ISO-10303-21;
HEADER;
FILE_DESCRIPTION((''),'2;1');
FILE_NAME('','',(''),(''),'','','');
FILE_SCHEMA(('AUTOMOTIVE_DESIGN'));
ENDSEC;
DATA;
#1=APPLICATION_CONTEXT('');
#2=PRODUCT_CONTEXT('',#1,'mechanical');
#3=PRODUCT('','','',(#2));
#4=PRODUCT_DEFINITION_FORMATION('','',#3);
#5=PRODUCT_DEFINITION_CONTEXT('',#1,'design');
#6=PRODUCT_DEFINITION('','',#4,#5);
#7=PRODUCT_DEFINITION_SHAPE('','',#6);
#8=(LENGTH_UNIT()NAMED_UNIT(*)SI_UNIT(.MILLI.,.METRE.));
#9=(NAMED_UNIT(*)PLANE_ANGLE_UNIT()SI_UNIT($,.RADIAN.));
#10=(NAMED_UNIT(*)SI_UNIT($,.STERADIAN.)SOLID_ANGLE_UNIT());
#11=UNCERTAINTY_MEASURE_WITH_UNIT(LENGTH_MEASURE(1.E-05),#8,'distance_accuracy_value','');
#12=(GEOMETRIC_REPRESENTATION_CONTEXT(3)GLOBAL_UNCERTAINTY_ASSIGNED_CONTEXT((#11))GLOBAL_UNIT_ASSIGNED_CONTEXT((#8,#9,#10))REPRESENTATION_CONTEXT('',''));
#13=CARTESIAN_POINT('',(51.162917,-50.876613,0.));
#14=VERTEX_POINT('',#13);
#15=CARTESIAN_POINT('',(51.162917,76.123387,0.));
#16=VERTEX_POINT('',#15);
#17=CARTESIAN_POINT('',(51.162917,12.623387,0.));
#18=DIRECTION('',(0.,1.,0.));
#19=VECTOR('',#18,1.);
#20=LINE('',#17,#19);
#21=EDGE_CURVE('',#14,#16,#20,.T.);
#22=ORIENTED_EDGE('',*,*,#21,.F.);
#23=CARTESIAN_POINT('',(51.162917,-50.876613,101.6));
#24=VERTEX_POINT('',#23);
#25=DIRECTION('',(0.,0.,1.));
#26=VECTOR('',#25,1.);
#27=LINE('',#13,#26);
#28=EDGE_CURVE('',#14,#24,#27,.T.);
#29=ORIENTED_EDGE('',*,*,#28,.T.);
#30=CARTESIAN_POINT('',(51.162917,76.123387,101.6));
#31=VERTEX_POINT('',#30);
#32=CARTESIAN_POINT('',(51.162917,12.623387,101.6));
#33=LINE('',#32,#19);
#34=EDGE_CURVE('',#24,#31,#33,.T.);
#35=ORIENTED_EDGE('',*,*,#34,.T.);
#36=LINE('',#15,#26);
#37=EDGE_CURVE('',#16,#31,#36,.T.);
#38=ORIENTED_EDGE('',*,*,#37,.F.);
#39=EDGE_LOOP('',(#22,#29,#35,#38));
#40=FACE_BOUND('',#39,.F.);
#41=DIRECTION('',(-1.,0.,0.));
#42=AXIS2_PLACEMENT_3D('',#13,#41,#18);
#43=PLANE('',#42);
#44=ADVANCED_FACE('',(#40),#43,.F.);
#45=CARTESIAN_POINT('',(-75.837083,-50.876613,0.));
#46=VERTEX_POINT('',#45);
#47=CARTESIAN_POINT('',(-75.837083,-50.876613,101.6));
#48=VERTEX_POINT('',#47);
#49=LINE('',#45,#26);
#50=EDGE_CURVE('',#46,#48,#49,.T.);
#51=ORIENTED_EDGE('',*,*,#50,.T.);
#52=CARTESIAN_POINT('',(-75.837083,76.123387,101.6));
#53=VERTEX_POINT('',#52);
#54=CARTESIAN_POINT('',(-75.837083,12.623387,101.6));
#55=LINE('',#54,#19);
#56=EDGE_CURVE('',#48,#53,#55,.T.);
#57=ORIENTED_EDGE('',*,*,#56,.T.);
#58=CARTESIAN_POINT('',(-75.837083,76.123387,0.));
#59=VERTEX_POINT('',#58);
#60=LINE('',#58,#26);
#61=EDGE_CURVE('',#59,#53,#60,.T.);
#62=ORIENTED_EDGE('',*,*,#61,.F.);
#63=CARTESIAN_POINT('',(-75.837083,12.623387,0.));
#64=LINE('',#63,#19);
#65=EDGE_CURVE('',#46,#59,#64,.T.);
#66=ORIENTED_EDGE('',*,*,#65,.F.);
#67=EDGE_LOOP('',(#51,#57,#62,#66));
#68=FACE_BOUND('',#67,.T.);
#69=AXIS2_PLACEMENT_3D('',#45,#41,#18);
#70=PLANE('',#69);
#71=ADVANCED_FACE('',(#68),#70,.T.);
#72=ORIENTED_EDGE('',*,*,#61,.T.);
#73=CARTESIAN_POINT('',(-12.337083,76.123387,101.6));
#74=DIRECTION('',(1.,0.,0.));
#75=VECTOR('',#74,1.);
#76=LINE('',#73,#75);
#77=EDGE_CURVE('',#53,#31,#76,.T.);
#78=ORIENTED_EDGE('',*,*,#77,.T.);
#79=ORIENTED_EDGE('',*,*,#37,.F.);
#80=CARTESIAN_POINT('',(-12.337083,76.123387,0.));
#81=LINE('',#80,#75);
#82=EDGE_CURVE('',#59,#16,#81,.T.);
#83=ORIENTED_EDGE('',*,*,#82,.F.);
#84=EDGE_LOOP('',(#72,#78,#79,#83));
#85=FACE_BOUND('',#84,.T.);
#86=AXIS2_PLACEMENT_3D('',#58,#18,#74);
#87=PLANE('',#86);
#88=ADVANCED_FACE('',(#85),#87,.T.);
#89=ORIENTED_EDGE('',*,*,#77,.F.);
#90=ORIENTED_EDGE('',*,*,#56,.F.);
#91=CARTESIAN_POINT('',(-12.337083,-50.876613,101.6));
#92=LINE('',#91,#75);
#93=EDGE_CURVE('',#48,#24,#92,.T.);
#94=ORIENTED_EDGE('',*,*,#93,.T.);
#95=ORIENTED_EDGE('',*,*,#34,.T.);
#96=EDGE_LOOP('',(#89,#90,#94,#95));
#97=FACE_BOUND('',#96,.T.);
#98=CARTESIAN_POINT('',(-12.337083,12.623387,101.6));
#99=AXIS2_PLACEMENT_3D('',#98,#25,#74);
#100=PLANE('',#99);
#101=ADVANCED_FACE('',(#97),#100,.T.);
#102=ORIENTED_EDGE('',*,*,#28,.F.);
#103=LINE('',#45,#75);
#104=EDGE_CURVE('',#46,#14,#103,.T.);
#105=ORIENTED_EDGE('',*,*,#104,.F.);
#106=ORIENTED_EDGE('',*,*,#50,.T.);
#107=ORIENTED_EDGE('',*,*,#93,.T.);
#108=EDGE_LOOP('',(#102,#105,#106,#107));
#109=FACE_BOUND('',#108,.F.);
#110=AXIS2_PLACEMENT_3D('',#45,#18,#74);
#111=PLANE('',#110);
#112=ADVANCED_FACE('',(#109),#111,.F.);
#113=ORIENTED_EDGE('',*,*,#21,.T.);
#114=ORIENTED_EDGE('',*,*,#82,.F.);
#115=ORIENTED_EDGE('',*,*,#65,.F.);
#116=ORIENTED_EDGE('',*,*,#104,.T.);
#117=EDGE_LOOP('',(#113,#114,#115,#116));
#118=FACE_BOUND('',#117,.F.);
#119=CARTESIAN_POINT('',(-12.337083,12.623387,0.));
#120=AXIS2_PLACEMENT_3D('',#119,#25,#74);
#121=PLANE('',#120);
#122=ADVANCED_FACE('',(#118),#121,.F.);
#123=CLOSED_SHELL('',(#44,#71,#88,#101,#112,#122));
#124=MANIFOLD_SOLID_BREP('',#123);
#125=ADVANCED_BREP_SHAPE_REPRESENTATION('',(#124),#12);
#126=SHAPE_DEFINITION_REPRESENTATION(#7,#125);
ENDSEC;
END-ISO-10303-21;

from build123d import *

# Parameters (mm, degrees)
F0_W     = 127
F0_H     = 127
F2_DEPTH = 101.6
F3_DEPTH = 25.4


with BuildPart() as f2:
    # F0 (on Top) → F2 (new body)
    with BuildSketch(Plane.XY):
        with Locations((-12.337083, 12.623387)):
            Rectangle(F0_W, F0_H)
    extrude(amount=F2_DEPTH)

    # F1 (on face) → F3 (cut)
    with BuildSketch(Plane.XY):
        Polygon((50.900102, -50.876613), (40.279156, -50.876613), (50.900102, -50.929062), align=None)
    extrude(amount=-F3_DEPTH, mode=Mode.SUBTRACT)


solid = f2.part
